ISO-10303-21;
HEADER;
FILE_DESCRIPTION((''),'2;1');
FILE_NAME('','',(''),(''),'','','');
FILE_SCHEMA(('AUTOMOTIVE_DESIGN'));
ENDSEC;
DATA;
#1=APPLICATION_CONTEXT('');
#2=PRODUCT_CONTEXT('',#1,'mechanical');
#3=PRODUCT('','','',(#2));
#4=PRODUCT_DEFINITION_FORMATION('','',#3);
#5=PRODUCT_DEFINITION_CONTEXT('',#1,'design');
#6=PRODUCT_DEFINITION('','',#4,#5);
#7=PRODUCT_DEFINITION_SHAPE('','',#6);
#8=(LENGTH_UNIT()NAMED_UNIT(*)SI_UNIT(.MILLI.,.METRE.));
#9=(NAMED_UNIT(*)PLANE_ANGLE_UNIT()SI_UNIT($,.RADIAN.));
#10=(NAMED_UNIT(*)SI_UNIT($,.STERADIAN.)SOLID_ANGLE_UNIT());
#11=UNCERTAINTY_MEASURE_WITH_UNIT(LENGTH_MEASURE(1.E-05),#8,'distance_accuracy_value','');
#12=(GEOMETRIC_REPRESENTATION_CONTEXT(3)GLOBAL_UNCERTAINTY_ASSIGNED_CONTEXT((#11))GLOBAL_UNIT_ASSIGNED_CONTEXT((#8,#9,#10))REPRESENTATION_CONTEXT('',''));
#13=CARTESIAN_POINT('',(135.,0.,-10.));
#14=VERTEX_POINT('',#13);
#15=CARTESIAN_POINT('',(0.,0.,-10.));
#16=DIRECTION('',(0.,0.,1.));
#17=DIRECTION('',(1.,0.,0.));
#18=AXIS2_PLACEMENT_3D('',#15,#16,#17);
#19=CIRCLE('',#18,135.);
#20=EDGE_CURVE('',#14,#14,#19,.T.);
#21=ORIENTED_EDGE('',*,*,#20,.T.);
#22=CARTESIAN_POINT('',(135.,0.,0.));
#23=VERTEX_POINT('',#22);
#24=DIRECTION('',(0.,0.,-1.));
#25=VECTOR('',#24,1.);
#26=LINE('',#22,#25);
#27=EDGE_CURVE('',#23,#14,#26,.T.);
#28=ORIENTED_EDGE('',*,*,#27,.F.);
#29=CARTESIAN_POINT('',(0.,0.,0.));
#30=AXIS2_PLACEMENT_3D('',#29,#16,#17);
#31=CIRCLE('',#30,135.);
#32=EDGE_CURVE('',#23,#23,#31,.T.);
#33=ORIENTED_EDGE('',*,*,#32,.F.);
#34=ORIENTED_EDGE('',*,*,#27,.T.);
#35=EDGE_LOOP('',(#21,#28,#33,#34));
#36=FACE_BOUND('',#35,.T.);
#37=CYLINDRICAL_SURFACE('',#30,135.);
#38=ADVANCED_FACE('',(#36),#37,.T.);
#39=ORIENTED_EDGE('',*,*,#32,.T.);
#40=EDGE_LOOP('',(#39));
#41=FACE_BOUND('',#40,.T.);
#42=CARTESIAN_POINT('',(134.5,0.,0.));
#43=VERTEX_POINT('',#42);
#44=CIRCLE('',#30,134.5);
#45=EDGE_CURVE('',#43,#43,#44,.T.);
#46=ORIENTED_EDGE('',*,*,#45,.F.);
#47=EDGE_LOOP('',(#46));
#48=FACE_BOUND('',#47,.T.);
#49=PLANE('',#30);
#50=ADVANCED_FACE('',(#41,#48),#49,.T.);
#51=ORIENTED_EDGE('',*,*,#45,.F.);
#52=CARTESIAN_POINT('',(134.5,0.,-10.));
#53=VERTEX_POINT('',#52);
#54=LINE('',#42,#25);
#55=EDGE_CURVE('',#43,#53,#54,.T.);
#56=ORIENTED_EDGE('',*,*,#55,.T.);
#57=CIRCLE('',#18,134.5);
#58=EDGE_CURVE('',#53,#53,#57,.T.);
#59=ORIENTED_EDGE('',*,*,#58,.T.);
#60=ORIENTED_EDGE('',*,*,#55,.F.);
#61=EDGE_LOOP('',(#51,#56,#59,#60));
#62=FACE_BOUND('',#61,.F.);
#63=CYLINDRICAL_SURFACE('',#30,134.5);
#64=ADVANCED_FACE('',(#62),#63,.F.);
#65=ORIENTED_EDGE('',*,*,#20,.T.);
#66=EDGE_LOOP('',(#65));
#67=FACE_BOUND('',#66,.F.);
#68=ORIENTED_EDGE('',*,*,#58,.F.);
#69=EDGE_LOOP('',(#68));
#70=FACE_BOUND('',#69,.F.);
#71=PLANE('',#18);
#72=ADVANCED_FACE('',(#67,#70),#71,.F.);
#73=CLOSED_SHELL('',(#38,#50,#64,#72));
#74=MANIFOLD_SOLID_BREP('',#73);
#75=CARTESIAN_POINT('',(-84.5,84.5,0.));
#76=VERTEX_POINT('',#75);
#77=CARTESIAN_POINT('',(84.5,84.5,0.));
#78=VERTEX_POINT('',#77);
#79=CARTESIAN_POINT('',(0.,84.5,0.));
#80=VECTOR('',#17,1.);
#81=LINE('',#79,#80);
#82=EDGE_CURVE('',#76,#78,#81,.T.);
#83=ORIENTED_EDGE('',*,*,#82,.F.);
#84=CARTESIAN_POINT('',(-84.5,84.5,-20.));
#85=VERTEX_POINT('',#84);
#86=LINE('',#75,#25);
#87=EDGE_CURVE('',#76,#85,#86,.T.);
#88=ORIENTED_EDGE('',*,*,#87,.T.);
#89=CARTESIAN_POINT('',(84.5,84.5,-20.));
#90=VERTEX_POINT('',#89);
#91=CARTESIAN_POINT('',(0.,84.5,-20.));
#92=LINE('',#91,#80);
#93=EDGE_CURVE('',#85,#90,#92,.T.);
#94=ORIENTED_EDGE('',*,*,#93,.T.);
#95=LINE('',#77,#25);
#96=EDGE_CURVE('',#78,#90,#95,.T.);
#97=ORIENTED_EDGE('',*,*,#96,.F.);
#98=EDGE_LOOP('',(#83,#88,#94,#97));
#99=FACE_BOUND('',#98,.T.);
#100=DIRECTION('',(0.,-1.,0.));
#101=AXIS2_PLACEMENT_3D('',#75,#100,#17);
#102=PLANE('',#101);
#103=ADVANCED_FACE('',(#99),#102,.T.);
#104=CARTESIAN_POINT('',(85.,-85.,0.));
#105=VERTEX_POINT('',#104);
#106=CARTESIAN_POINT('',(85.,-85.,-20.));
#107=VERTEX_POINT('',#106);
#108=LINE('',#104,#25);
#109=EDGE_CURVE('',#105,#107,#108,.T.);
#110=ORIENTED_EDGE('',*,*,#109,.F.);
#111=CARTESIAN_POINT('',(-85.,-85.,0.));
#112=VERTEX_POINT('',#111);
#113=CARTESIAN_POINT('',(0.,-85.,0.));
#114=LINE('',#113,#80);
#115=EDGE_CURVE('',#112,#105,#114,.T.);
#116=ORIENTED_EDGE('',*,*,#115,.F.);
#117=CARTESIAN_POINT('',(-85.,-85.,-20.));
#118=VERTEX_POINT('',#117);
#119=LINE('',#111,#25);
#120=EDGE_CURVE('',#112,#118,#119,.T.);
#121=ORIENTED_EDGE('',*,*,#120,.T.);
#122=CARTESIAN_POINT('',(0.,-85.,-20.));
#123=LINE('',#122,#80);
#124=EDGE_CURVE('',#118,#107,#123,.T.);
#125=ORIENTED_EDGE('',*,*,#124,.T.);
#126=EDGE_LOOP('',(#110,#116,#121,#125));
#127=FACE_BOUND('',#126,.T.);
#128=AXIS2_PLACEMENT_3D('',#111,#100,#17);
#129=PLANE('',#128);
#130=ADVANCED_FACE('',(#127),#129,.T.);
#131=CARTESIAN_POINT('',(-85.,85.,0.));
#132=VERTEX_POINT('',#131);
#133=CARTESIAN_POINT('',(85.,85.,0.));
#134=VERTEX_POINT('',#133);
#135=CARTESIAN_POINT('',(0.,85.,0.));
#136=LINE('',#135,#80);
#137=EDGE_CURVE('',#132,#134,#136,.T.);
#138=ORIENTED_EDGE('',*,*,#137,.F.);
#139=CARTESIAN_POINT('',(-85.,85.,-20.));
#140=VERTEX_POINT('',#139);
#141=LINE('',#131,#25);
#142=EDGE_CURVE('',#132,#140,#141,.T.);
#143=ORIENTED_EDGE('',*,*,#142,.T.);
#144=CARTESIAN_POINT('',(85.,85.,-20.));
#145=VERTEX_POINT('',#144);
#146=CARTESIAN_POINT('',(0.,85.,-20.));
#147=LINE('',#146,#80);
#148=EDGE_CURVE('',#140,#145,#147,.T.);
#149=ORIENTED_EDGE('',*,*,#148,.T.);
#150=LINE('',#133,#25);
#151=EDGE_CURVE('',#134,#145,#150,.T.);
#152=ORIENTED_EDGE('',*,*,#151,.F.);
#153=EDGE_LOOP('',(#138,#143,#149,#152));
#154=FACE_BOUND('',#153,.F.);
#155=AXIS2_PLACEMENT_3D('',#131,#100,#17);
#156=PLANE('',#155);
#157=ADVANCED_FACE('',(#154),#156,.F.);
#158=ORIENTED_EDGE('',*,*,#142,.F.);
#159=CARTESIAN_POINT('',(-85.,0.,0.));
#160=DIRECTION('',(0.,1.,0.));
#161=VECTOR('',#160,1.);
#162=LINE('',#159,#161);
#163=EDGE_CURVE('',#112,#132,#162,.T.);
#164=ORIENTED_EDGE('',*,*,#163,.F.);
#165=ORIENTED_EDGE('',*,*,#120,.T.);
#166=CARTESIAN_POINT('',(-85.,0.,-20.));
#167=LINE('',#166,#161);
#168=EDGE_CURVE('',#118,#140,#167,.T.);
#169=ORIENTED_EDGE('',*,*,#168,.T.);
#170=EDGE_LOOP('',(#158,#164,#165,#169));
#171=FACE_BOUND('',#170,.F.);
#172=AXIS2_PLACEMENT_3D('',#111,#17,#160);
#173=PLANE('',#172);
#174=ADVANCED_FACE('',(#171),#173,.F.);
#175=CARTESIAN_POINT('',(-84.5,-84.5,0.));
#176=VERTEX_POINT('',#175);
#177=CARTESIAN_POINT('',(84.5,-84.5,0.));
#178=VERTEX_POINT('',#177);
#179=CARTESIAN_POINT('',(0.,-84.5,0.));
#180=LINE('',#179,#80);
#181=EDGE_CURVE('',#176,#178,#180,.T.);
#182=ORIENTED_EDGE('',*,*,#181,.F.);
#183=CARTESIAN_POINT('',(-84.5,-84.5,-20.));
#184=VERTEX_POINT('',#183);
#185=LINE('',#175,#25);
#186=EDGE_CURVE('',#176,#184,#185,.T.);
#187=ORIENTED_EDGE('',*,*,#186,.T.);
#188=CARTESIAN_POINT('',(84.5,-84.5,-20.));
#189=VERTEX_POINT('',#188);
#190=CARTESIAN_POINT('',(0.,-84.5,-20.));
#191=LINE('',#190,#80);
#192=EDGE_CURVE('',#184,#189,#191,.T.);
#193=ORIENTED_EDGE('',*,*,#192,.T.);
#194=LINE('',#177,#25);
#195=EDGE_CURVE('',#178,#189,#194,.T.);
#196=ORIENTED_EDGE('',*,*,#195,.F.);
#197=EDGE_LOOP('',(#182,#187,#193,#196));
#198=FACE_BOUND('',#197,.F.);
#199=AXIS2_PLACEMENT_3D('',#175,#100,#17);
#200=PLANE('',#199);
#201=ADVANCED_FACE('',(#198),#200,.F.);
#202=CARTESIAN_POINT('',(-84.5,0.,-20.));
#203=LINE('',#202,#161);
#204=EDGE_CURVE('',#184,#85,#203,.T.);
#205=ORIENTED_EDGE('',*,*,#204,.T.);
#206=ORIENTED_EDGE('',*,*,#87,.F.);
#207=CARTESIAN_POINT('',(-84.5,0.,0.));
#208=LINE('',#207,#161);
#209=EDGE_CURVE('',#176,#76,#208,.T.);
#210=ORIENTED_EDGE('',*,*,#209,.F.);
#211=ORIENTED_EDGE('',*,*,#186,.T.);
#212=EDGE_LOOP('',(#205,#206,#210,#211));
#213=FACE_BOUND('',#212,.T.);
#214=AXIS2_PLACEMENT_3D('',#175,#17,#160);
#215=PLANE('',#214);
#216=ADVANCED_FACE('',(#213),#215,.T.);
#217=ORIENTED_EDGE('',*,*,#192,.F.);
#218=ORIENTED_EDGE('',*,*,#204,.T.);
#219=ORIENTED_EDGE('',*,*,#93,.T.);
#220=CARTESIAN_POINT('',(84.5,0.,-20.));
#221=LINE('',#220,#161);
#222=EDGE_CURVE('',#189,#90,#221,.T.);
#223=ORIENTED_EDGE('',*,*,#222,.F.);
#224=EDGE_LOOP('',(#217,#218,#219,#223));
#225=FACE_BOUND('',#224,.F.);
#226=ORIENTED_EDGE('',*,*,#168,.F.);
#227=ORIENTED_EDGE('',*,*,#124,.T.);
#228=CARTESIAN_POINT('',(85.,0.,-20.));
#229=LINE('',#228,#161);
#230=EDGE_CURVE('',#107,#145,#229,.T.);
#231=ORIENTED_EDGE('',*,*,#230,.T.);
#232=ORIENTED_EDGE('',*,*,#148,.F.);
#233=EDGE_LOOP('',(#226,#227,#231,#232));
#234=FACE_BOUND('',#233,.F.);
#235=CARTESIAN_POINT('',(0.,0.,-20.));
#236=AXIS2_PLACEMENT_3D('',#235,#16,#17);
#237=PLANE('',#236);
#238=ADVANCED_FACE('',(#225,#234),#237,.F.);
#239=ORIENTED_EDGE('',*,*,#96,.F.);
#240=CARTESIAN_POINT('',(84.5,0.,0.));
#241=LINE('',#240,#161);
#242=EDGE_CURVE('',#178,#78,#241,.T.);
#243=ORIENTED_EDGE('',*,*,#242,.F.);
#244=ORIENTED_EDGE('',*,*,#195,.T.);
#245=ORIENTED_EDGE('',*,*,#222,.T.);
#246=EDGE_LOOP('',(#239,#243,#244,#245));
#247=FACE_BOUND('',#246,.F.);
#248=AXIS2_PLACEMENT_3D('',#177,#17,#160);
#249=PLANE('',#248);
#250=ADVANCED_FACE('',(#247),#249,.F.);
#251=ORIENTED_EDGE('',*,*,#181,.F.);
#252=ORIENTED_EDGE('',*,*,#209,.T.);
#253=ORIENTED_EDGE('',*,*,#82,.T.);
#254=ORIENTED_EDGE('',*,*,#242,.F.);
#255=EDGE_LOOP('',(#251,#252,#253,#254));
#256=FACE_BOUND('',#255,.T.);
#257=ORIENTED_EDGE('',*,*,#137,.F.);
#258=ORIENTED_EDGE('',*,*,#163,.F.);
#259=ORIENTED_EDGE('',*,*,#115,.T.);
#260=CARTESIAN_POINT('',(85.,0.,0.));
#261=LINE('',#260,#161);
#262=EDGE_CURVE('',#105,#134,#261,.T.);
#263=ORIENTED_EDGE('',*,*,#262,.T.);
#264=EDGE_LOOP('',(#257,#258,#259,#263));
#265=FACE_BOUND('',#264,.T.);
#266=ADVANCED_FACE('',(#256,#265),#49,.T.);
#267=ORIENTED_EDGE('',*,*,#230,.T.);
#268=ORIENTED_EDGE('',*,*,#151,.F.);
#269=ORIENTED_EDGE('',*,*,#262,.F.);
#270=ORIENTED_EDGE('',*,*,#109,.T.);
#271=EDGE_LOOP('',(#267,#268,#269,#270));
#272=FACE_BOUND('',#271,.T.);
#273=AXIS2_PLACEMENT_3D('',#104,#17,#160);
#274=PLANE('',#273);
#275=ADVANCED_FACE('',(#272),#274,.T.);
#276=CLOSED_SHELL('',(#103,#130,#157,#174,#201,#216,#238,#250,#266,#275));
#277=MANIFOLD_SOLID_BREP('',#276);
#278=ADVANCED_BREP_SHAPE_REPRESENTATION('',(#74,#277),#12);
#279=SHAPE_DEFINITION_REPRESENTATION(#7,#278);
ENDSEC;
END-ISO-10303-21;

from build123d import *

# Parameters (mm, degrees)
F0_R     = 135
F0_R_2   = 134.5
F1_DEPTH = 10
F0_W     = 170
F0_H     = 170
F0_W_2   = 169
F0_H_2   = 169
F2_DEPTH = 20


with BuildPart() as f1:
    # F0 (on Top) → F1 (new body)
    with BuildSketch(Plane.XY):
        Circle(F0_R)
        Circle(F0_R_2, mode=Mode.SUBTRACT)
    extrude(amount=-F1_DEPTH)


with BuildPart() as f2:
    # F0 (on Top) → F2 (new body)
    with BuildSketch(Plane.XY):
        Rectangle(F0_W, F0_H)
        Rectangle(F0_W_2, F0_H_2, mode=Mode.SUBTRACT)
    extrude(amount=-F2_DEPTH)


solid = Compound([f1.part, f2.part])
